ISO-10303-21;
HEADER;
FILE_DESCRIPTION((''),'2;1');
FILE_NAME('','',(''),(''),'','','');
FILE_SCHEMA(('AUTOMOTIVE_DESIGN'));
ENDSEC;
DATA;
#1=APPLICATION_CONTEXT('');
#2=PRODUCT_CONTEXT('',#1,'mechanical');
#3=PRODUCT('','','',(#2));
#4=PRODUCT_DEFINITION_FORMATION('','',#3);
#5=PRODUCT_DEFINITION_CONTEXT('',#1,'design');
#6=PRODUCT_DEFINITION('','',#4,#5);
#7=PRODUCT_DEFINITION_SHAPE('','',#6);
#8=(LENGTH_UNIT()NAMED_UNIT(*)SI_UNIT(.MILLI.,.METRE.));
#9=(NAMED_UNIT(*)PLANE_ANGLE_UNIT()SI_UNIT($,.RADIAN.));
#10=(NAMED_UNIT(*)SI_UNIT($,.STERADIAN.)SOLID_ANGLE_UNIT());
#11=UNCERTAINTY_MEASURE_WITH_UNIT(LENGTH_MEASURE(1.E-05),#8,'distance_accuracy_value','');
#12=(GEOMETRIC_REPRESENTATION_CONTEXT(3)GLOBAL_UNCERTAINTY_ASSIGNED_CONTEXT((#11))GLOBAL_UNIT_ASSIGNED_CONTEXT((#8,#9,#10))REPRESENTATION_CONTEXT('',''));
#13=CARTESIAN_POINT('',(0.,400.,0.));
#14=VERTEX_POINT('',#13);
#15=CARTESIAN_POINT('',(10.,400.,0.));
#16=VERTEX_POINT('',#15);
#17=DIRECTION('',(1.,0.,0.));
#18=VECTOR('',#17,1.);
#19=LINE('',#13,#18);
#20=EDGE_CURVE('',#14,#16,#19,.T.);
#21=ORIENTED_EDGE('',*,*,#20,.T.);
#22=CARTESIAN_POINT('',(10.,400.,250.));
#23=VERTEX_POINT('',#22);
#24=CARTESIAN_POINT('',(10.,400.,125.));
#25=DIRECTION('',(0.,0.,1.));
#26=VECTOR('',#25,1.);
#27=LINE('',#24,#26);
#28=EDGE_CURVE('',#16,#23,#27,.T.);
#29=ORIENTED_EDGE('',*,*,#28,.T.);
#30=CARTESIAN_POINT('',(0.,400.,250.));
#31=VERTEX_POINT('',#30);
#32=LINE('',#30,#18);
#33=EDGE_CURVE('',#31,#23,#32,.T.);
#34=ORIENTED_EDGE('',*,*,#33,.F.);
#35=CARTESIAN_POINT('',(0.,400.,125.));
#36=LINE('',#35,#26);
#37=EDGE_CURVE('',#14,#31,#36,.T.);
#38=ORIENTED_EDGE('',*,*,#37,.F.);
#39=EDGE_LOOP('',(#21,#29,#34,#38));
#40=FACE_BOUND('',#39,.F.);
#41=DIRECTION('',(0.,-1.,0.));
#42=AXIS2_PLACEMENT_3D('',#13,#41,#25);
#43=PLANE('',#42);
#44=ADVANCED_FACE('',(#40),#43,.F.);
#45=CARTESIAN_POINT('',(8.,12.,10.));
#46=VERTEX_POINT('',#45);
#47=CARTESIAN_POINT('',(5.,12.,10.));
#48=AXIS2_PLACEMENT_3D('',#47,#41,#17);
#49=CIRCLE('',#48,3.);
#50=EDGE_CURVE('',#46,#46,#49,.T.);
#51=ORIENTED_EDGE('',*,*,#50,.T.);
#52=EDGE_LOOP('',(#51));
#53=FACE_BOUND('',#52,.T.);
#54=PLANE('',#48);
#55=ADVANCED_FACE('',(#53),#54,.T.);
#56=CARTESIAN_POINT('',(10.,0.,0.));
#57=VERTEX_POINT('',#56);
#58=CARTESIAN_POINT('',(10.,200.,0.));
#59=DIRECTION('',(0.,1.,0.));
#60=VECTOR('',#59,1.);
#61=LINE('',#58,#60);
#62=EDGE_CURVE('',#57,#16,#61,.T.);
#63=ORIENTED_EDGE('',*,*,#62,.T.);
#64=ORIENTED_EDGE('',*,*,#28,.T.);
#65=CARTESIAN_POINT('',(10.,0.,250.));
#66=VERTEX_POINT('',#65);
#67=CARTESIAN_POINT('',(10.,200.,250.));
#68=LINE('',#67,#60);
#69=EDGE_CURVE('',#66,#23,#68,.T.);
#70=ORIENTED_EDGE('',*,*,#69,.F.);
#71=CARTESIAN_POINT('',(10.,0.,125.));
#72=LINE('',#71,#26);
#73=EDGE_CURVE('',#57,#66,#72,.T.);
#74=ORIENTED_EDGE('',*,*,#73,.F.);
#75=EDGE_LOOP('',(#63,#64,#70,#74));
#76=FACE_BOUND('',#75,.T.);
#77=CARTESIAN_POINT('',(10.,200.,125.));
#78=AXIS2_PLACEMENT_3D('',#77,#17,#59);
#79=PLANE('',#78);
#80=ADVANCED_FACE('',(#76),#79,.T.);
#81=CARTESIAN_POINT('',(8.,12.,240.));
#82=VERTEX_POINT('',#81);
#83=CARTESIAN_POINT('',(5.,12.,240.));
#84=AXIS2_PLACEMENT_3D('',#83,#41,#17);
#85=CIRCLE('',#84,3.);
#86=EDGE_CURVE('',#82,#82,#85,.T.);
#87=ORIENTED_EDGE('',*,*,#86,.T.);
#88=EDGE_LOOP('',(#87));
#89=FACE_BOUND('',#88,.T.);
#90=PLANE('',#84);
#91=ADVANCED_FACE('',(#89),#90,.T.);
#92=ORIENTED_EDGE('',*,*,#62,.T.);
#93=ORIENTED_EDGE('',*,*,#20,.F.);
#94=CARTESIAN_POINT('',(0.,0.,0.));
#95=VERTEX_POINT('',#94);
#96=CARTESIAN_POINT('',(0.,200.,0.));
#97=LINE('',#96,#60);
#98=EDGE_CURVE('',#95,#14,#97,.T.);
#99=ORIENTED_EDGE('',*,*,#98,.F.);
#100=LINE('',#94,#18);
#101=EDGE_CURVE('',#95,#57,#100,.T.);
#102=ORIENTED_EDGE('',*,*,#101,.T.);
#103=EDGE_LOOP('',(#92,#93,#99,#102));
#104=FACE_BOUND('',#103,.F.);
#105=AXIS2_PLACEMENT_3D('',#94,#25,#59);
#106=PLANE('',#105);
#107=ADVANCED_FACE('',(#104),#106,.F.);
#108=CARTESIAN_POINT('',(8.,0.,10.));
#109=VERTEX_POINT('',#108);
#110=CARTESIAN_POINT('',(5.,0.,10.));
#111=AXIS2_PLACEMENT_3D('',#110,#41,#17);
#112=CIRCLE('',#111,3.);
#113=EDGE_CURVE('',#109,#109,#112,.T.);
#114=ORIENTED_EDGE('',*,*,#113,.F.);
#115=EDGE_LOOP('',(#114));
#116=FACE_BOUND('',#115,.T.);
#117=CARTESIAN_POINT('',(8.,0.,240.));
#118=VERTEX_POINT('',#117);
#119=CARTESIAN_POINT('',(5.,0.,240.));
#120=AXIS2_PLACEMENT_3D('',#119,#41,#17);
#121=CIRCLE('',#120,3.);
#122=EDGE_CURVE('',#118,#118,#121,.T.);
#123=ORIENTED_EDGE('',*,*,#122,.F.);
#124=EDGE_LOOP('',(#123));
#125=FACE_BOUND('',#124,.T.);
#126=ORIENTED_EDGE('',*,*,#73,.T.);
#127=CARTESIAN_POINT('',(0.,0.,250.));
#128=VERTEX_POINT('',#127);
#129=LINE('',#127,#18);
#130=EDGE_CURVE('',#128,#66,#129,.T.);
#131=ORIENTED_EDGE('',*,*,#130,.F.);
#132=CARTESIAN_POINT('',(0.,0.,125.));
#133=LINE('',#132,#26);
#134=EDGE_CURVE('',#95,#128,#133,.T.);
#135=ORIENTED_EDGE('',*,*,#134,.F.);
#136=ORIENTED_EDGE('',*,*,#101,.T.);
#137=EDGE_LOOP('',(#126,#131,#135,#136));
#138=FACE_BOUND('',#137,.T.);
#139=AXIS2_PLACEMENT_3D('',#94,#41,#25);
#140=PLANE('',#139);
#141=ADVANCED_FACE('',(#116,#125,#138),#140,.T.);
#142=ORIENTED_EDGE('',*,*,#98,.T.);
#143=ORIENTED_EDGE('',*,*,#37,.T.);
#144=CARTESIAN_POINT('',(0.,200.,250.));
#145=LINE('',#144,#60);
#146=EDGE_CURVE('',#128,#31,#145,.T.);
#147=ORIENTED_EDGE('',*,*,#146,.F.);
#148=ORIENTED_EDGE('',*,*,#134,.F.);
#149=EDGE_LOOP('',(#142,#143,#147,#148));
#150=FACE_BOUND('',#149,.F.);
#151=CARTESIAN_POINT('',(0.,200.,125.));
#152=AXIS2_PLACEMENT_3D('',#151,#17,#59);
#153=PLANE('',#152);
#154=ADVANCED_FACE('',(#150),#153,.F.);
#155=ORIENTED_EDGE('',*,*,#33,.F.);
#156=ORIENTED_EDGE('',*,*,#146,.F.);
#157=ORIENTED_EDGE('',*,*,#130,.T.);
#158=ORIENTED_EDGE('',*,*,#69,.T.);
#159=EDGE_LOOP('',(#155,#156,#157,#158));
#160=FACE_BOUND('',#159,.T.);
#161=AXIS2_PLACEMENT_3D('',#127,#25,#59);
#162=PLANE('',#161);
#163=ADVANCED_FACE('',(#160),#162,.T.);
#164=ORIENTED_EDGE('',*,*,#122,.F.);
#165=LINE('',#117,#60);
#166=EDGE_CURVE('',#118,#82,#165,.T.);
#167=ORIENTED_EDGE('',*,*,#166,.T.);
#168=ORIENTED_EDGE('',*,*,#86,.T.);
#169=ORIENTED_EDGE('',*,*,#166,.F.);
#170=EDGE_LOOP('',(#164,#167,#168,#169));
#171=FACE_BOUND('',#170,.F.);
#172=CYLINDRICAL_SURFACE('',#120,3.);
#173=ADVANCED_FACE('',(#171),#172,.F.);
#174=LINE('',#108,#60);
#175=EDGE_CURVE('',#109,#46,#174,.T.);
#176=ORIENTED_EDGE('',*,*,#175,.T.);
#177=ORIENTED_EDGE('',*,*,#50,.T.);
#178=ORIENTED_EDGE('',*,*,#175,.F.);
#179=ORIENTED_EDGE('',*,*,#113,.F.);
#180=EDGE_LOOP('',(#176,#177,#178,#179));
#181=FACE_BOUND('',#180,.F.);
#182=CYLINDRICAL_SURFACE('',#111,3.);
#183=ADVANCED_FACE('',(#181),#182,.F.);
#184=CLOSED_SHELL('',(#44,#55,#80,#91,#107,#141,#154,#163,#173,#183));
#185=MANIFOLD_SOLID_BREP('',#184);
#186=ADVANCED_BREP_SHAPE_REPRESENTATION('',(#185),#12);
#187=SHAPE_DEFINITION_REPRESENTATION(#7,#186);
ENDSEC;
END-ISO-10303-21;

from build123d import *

# Parameters (mm, degrees)
F0_W     = 400
F0_H     = 250
F1_DEPTH = 10
F2_R     = 3
F3_DEPTH = 12


with BuildPart() as f1:
    # F0 (on Right) → F1 (new body)
    with BuildSketch(Plane.YZ):
        with Locations((200, 125)):
            Rectangle(F0_W, F0_H)
    extrude(amount=F1_DEPTH)

    # F2 (on face) → F3 (cut)
    with BuildSketch(Plane.XZ):
        with Locations((5, 240)):
            Circle(F2_R)
        with Locations((5, 10)):
            Circle(F2_R)
    extrude(amount=-F3_DEPTH, mode=Mode.SUBTRACT)


solid = f1.part
